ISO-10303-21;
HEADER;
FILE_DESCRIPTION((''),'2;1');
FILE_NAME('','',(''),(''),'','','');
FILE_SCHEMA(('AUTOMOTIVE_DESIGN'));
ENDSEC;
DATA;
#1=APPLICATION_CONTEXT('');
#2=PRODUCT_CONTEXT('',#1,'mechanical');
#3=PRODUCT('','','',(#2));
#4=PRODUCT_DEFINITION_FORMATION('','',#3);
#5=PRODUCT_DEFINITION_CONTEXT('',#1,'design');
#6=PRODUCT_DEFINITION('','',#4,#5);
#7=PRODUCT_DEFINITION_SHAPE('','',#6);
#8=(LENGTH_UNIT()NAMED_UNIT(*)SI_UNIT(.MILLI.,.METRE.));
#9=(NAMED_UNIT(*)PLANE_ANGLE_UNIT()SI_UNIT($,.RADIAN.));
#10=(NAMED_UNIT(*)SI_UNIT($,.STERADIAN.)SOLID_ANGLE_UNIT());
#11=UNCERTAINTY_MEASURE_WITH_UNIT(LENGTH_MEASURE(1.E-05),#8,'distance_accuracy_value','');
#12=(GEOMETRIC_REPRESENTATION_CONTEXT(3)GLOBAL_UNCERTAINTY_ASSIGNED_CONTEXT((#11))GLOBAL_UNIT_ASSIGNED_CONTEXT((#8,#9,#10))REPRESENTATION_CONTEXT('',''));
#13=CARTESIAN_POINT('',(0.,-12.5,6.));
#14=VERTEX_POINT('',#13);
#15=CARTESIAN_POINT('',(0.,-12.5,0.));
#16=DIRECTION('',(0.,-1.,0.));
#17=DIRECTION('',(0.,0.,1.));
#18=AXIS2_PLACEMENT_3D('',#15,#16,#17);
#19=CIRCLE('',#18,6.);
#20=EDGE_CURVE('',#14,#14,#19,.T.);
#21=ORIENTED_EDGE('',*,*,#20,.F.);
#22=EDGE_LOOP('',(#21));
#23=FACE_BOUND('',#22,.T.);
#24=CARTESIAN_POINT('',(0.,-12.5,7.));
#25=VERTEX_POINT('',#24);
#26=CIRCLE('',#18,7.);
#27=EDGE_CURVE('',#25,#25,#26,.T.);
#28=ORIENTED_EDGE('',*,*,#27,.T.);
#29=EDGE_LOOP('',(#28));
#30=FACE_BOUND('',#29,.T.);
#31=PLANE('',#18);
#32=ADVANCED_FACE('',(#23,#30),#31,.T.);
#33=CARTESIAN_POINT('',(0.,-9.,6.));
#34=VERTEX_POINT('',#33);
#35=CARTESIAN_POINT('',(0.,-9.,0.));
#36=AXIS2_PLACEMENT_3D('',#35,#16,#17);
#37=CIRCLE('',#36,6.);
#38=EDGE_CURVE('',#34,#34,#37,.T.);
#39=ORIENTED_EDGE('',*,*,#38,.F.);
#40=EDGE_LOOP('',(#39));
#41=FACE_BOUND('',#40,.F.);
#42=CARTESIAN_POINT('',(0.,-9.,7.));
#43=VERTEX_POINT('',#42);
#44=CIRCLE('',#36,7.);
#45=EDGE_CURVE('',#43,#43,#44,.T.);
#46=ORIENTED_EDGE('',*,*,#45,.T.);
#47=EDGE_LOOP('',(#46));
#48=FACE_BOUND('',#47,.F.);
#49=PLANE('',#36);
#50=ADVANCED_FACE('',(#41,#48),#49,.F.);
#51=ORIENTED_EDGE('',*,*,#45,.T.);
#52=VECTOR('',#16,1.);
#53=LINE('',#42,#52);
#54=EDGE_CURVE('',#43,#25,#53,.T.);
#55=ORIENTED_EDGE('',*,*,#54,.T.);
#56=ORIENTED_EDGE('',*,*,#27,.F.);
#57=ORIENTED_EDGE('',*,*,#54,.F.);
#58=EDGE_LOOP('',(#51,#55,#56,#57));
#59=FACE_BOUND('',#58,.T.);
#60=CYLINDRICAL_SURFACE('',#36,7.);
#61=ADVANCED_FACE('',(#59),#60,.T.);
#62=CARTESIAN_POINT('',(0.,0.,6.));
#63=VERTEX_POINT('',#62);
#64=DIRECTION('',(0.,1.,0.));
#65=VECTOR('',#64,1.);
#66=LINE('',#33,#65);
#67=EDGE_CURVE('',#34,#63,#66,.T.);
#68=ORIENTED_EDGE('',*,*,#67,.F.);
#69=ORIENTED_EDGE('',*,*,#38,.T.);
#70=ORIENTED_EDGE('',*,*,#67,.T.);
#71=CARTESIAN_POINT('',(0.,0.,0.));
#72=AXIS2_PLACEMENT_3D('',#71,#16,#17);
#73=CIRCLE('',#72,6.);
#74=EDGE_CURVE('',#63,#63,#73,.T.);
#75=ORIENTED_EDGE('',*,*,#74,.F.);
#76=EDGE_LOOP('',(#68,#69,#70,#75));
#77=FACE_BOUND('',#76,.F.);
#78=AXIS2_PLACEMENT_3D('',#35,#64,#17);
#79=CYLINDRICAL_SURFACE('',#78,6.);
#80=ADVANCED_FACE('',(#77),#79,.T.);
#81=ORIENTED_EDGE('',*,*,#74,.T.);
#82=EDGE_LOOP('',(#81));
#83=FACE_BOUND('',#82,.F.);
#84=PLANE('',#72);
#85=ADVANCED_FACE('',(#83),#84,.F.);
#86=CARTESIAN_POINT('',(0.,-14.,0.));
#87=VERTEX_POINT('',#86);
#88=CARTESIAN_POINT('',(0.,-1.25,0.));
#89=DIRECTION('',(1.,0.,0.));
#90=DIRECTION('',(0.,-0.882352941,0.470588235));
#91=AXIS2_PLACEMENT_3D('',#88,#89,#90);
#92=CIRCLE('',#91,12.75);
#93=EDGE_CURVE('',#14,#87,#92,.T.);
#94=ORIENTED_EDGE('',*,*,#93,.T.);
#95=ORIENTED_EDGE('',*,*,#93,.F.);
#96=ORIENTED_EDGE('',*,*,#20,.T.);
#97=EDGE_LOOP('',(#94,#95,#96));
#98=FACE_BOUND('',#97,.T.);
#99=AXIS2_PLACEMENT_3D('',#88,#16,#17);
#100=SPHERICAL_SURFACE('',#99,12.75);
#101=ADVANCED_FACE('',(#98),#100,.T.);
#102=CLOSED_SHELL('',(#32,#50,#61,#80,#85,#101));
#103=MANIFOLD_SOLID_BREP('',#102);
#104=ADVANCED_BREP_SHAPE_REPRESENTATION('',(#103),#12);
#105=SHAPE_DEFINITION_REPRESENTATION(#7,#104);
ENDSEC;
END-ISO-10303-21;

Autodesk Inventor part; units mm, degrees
ref_plane "YZ Plane" through (0, 0, 0) normal (1, 0, 0) x (0, 1, 0)
ref_plane "XY Plane" through (0, 0, 0) normal (0, 0, 1) x (1, 0, 0)
sketch "Skizze1" plane through (0, 0, 0) normal (1, 0, 0) x (0, 1, 0)
  line L0 (0, 0) -> (-14, 0)
  line L1 (-9, 7) -> (-12.5, 7)
  line L2 (-9, 7) -> (-9, 6)
  line L3 (-9, 6) -> (0, 6)
  line L4 (0, 6) -> (0, 0)
  line L5 (-12.5, 7) -> (-12.5, 6)
  arc A0 (-12.5, 6) -> (-14, 0) centre (-1.25, 0) ccw
  dimension "d0" = 14
  dimension "d1" = 3.5
  dimension "d2" = 9
  dimension "d3" = 12
  dimension "d4" = 14
revolve "Umdrehung1" add sketch "Skizze1" angle 360 about axis through (0, 0, 0) along (0, -1, 0)
thread "Gewinde1" size "M12x0.5" class "6g" standard "ANSI Metric M Profile" length 8 offset 2
ref_plane "Arbeitsebene1" through (0, -14, 0) normal (0, 1, 0) x (-1, 0, 0)
properties part number "Linse 12mm Typ G" material "PC/ABS-Kunststoff"
